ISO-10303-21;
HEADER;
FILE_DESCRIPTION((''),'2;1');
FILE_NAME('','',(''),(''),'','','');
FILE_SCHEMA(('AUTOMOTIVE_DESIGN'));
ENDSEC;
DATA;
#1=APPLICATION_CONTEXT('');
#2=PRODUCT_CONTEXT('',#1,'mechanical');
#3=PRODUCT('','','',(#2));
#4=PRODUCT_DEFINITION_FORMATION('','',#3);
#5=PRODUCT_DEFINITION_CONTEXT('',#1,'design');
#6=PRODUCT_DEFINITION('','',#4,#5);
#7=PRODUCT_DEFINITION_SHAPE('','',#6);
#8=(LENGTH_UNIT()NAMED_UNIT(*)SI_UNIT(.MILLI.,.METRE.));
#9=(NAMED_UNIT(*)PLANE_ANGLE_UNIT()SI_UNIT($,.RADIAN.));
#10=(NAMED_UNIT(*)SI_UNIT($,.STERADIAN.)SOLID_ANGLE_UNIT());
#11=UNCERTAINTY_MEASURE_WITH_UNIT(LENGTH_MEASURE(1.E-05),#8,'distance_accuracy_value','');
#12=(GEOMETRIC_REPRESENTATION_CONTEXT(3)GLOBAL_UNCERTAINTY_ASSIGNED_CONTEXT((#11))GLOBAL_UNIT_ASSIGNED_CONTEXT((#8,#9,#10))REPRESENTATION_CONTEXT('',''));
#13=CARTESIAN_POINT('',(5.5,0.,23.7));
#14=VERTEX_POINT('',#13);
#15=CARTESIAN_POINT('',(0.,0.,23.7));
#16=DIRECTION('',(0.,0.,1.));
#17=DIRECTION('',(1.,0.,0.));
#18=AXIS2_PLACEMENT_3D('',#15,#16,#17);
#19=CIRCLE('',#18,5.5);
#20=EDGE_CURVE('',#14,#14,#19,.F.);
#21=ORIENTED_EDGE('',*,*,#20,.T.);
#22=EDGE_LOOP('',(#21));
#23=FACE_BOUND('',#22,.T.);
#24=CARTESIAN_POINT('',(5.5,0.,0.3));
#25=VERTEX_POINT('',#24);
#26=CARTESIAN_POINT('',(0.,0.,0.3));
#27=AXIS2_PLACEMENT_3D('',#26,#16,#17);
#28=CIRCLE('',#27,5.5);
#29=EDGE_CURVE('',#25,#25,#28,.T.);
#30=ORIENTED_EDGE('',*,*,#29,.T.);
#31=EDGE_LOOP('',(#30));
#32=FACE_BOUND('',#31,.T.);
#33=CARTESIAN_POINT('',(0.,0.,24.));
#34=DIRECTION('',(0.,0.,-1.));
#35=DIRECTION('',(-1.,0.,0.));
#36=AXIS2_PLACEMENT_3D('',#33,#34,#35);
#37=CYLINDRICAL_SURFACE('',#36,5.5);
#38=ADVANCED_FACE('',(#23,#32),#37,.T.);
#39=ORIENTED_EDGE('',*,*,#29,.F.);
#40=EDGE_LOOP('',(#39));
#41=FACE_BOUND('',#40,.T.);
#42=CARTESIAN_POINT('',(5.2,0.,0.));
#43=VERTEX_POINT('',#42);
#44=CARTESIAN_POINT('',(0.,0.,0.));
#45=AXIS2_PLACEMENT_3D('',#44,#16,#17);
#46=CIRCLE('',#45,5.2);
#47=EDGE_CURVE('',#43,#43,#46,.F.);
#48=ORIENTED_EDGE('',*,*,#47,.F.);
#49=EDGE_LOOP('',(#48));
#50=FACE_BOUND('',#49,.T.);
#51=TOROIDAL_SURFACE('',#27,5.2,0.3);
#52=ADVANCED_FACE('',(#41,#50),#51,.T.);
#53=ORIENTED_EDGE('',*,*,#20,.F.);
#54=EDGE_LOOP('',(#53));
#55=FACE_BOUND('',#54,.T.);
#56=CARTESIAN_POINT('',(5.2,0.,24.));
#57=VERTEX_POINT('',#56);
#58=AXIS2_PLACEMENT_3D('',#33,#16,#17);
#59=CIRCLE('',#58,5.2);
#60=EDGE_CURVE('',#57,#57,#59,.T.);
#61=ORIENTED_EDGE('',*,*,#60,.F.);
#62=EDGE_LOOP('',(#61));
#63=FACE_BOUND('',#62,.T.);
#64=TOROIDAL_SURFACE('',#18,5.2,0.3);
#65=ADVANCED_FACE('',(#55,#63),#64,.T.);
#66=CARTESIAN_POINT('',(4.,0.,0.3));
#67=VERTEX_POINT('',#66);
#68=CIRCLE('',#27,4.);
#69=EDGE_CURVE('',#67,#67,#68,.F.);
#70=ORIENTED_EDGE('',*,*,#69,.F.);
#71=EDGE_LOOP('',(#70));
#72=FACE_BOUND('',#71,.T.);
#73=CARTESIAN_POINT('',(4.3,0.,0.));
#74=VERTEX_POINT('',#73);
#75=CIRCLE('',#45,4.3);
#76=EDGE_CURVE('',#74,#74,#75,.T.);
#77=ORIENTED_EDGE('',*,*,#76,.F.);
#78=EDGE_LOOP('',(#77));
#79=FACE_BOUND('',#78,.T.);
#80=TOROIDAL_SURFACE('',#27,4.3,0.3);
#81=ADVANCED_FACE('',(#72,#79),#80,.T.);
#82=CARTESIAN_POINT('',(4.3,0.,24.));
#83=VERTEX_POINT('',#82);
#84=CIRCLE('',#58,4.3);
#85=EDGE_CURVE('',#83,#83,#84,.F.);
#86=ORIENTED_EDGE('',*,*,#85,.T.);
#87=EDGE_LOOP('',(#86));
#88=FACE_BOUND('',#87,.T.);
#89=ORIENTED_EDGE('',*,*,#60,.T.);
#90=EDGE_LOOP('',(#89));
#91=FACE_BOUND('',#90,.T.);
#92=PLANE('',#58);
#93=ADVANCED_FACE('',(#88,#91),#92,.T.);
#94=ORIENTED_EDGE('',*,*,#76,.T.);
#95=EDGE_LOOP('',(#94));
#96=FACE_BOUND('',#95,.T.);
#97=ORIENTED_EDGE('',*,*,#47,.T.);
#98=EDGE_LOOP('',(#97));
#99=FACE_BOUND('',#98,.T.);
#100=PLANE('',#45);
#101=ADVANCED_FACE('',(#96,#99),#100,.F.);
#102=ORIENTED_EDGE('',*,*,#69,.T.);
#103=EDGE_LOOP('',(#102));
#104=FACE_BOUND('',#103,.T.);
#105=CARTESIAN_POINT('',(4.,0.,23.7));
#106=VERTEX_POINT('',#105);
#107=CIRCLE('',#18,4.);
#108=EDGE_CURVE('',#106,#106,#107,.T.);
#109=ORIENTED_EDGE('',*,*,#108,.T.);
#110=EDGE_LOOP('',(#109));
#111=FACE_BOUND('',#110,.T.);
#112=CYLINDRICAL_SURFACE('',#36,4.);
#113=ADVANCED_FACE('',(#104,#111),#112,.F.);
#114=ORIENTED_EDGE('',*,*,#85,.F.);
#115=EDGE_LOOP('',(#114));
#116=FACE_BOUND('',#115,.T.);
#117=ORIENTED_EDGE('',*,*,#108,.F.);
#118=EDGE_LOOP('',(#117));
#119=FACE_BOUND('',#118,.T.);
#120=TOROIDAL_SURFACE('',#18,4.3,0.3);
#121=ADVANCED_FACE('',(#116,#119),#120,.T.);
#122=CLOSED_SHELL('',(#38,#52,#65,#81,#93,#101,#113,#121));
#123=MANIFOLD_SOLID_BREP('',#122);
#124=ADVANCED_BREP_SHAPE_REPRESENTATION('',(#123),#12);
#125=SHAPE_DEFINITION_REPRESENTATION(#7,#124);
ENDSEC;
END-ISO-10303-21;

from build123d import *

# Parameters (mm, degrees)
CROQUIS1_R              = 5.5
CROQUIS1_R_2            = 4
SALIENTE_EXTRUIR1_DEPTH = 24
REDONDEO1_R             = 0.3


with BuildPart() as part:
    # Croquis1 → Saliente-Extruir1 (new body)
    with BuildSketch(Plane.XY):
        Circle(CROQUIS1_R)
        Circle(CROQUIS1_R_2, mode=Mode.SUBTRACT)
    extrude(amount=SALIENTE_EXTRUIR1_DEPTH)

    # Redondeo1
    redondeo1_edges = [part.edges().sort_by_distance(p)[0] for p in [
        (-5.5, 0, 0),
        (-5.5, 0, 24),
        (-4, 0, 0),
        (-4, 0, 24),
    ]]
    fillet(redondeo1_edges, radius=REDONDEO1_R)


solid = part.part
